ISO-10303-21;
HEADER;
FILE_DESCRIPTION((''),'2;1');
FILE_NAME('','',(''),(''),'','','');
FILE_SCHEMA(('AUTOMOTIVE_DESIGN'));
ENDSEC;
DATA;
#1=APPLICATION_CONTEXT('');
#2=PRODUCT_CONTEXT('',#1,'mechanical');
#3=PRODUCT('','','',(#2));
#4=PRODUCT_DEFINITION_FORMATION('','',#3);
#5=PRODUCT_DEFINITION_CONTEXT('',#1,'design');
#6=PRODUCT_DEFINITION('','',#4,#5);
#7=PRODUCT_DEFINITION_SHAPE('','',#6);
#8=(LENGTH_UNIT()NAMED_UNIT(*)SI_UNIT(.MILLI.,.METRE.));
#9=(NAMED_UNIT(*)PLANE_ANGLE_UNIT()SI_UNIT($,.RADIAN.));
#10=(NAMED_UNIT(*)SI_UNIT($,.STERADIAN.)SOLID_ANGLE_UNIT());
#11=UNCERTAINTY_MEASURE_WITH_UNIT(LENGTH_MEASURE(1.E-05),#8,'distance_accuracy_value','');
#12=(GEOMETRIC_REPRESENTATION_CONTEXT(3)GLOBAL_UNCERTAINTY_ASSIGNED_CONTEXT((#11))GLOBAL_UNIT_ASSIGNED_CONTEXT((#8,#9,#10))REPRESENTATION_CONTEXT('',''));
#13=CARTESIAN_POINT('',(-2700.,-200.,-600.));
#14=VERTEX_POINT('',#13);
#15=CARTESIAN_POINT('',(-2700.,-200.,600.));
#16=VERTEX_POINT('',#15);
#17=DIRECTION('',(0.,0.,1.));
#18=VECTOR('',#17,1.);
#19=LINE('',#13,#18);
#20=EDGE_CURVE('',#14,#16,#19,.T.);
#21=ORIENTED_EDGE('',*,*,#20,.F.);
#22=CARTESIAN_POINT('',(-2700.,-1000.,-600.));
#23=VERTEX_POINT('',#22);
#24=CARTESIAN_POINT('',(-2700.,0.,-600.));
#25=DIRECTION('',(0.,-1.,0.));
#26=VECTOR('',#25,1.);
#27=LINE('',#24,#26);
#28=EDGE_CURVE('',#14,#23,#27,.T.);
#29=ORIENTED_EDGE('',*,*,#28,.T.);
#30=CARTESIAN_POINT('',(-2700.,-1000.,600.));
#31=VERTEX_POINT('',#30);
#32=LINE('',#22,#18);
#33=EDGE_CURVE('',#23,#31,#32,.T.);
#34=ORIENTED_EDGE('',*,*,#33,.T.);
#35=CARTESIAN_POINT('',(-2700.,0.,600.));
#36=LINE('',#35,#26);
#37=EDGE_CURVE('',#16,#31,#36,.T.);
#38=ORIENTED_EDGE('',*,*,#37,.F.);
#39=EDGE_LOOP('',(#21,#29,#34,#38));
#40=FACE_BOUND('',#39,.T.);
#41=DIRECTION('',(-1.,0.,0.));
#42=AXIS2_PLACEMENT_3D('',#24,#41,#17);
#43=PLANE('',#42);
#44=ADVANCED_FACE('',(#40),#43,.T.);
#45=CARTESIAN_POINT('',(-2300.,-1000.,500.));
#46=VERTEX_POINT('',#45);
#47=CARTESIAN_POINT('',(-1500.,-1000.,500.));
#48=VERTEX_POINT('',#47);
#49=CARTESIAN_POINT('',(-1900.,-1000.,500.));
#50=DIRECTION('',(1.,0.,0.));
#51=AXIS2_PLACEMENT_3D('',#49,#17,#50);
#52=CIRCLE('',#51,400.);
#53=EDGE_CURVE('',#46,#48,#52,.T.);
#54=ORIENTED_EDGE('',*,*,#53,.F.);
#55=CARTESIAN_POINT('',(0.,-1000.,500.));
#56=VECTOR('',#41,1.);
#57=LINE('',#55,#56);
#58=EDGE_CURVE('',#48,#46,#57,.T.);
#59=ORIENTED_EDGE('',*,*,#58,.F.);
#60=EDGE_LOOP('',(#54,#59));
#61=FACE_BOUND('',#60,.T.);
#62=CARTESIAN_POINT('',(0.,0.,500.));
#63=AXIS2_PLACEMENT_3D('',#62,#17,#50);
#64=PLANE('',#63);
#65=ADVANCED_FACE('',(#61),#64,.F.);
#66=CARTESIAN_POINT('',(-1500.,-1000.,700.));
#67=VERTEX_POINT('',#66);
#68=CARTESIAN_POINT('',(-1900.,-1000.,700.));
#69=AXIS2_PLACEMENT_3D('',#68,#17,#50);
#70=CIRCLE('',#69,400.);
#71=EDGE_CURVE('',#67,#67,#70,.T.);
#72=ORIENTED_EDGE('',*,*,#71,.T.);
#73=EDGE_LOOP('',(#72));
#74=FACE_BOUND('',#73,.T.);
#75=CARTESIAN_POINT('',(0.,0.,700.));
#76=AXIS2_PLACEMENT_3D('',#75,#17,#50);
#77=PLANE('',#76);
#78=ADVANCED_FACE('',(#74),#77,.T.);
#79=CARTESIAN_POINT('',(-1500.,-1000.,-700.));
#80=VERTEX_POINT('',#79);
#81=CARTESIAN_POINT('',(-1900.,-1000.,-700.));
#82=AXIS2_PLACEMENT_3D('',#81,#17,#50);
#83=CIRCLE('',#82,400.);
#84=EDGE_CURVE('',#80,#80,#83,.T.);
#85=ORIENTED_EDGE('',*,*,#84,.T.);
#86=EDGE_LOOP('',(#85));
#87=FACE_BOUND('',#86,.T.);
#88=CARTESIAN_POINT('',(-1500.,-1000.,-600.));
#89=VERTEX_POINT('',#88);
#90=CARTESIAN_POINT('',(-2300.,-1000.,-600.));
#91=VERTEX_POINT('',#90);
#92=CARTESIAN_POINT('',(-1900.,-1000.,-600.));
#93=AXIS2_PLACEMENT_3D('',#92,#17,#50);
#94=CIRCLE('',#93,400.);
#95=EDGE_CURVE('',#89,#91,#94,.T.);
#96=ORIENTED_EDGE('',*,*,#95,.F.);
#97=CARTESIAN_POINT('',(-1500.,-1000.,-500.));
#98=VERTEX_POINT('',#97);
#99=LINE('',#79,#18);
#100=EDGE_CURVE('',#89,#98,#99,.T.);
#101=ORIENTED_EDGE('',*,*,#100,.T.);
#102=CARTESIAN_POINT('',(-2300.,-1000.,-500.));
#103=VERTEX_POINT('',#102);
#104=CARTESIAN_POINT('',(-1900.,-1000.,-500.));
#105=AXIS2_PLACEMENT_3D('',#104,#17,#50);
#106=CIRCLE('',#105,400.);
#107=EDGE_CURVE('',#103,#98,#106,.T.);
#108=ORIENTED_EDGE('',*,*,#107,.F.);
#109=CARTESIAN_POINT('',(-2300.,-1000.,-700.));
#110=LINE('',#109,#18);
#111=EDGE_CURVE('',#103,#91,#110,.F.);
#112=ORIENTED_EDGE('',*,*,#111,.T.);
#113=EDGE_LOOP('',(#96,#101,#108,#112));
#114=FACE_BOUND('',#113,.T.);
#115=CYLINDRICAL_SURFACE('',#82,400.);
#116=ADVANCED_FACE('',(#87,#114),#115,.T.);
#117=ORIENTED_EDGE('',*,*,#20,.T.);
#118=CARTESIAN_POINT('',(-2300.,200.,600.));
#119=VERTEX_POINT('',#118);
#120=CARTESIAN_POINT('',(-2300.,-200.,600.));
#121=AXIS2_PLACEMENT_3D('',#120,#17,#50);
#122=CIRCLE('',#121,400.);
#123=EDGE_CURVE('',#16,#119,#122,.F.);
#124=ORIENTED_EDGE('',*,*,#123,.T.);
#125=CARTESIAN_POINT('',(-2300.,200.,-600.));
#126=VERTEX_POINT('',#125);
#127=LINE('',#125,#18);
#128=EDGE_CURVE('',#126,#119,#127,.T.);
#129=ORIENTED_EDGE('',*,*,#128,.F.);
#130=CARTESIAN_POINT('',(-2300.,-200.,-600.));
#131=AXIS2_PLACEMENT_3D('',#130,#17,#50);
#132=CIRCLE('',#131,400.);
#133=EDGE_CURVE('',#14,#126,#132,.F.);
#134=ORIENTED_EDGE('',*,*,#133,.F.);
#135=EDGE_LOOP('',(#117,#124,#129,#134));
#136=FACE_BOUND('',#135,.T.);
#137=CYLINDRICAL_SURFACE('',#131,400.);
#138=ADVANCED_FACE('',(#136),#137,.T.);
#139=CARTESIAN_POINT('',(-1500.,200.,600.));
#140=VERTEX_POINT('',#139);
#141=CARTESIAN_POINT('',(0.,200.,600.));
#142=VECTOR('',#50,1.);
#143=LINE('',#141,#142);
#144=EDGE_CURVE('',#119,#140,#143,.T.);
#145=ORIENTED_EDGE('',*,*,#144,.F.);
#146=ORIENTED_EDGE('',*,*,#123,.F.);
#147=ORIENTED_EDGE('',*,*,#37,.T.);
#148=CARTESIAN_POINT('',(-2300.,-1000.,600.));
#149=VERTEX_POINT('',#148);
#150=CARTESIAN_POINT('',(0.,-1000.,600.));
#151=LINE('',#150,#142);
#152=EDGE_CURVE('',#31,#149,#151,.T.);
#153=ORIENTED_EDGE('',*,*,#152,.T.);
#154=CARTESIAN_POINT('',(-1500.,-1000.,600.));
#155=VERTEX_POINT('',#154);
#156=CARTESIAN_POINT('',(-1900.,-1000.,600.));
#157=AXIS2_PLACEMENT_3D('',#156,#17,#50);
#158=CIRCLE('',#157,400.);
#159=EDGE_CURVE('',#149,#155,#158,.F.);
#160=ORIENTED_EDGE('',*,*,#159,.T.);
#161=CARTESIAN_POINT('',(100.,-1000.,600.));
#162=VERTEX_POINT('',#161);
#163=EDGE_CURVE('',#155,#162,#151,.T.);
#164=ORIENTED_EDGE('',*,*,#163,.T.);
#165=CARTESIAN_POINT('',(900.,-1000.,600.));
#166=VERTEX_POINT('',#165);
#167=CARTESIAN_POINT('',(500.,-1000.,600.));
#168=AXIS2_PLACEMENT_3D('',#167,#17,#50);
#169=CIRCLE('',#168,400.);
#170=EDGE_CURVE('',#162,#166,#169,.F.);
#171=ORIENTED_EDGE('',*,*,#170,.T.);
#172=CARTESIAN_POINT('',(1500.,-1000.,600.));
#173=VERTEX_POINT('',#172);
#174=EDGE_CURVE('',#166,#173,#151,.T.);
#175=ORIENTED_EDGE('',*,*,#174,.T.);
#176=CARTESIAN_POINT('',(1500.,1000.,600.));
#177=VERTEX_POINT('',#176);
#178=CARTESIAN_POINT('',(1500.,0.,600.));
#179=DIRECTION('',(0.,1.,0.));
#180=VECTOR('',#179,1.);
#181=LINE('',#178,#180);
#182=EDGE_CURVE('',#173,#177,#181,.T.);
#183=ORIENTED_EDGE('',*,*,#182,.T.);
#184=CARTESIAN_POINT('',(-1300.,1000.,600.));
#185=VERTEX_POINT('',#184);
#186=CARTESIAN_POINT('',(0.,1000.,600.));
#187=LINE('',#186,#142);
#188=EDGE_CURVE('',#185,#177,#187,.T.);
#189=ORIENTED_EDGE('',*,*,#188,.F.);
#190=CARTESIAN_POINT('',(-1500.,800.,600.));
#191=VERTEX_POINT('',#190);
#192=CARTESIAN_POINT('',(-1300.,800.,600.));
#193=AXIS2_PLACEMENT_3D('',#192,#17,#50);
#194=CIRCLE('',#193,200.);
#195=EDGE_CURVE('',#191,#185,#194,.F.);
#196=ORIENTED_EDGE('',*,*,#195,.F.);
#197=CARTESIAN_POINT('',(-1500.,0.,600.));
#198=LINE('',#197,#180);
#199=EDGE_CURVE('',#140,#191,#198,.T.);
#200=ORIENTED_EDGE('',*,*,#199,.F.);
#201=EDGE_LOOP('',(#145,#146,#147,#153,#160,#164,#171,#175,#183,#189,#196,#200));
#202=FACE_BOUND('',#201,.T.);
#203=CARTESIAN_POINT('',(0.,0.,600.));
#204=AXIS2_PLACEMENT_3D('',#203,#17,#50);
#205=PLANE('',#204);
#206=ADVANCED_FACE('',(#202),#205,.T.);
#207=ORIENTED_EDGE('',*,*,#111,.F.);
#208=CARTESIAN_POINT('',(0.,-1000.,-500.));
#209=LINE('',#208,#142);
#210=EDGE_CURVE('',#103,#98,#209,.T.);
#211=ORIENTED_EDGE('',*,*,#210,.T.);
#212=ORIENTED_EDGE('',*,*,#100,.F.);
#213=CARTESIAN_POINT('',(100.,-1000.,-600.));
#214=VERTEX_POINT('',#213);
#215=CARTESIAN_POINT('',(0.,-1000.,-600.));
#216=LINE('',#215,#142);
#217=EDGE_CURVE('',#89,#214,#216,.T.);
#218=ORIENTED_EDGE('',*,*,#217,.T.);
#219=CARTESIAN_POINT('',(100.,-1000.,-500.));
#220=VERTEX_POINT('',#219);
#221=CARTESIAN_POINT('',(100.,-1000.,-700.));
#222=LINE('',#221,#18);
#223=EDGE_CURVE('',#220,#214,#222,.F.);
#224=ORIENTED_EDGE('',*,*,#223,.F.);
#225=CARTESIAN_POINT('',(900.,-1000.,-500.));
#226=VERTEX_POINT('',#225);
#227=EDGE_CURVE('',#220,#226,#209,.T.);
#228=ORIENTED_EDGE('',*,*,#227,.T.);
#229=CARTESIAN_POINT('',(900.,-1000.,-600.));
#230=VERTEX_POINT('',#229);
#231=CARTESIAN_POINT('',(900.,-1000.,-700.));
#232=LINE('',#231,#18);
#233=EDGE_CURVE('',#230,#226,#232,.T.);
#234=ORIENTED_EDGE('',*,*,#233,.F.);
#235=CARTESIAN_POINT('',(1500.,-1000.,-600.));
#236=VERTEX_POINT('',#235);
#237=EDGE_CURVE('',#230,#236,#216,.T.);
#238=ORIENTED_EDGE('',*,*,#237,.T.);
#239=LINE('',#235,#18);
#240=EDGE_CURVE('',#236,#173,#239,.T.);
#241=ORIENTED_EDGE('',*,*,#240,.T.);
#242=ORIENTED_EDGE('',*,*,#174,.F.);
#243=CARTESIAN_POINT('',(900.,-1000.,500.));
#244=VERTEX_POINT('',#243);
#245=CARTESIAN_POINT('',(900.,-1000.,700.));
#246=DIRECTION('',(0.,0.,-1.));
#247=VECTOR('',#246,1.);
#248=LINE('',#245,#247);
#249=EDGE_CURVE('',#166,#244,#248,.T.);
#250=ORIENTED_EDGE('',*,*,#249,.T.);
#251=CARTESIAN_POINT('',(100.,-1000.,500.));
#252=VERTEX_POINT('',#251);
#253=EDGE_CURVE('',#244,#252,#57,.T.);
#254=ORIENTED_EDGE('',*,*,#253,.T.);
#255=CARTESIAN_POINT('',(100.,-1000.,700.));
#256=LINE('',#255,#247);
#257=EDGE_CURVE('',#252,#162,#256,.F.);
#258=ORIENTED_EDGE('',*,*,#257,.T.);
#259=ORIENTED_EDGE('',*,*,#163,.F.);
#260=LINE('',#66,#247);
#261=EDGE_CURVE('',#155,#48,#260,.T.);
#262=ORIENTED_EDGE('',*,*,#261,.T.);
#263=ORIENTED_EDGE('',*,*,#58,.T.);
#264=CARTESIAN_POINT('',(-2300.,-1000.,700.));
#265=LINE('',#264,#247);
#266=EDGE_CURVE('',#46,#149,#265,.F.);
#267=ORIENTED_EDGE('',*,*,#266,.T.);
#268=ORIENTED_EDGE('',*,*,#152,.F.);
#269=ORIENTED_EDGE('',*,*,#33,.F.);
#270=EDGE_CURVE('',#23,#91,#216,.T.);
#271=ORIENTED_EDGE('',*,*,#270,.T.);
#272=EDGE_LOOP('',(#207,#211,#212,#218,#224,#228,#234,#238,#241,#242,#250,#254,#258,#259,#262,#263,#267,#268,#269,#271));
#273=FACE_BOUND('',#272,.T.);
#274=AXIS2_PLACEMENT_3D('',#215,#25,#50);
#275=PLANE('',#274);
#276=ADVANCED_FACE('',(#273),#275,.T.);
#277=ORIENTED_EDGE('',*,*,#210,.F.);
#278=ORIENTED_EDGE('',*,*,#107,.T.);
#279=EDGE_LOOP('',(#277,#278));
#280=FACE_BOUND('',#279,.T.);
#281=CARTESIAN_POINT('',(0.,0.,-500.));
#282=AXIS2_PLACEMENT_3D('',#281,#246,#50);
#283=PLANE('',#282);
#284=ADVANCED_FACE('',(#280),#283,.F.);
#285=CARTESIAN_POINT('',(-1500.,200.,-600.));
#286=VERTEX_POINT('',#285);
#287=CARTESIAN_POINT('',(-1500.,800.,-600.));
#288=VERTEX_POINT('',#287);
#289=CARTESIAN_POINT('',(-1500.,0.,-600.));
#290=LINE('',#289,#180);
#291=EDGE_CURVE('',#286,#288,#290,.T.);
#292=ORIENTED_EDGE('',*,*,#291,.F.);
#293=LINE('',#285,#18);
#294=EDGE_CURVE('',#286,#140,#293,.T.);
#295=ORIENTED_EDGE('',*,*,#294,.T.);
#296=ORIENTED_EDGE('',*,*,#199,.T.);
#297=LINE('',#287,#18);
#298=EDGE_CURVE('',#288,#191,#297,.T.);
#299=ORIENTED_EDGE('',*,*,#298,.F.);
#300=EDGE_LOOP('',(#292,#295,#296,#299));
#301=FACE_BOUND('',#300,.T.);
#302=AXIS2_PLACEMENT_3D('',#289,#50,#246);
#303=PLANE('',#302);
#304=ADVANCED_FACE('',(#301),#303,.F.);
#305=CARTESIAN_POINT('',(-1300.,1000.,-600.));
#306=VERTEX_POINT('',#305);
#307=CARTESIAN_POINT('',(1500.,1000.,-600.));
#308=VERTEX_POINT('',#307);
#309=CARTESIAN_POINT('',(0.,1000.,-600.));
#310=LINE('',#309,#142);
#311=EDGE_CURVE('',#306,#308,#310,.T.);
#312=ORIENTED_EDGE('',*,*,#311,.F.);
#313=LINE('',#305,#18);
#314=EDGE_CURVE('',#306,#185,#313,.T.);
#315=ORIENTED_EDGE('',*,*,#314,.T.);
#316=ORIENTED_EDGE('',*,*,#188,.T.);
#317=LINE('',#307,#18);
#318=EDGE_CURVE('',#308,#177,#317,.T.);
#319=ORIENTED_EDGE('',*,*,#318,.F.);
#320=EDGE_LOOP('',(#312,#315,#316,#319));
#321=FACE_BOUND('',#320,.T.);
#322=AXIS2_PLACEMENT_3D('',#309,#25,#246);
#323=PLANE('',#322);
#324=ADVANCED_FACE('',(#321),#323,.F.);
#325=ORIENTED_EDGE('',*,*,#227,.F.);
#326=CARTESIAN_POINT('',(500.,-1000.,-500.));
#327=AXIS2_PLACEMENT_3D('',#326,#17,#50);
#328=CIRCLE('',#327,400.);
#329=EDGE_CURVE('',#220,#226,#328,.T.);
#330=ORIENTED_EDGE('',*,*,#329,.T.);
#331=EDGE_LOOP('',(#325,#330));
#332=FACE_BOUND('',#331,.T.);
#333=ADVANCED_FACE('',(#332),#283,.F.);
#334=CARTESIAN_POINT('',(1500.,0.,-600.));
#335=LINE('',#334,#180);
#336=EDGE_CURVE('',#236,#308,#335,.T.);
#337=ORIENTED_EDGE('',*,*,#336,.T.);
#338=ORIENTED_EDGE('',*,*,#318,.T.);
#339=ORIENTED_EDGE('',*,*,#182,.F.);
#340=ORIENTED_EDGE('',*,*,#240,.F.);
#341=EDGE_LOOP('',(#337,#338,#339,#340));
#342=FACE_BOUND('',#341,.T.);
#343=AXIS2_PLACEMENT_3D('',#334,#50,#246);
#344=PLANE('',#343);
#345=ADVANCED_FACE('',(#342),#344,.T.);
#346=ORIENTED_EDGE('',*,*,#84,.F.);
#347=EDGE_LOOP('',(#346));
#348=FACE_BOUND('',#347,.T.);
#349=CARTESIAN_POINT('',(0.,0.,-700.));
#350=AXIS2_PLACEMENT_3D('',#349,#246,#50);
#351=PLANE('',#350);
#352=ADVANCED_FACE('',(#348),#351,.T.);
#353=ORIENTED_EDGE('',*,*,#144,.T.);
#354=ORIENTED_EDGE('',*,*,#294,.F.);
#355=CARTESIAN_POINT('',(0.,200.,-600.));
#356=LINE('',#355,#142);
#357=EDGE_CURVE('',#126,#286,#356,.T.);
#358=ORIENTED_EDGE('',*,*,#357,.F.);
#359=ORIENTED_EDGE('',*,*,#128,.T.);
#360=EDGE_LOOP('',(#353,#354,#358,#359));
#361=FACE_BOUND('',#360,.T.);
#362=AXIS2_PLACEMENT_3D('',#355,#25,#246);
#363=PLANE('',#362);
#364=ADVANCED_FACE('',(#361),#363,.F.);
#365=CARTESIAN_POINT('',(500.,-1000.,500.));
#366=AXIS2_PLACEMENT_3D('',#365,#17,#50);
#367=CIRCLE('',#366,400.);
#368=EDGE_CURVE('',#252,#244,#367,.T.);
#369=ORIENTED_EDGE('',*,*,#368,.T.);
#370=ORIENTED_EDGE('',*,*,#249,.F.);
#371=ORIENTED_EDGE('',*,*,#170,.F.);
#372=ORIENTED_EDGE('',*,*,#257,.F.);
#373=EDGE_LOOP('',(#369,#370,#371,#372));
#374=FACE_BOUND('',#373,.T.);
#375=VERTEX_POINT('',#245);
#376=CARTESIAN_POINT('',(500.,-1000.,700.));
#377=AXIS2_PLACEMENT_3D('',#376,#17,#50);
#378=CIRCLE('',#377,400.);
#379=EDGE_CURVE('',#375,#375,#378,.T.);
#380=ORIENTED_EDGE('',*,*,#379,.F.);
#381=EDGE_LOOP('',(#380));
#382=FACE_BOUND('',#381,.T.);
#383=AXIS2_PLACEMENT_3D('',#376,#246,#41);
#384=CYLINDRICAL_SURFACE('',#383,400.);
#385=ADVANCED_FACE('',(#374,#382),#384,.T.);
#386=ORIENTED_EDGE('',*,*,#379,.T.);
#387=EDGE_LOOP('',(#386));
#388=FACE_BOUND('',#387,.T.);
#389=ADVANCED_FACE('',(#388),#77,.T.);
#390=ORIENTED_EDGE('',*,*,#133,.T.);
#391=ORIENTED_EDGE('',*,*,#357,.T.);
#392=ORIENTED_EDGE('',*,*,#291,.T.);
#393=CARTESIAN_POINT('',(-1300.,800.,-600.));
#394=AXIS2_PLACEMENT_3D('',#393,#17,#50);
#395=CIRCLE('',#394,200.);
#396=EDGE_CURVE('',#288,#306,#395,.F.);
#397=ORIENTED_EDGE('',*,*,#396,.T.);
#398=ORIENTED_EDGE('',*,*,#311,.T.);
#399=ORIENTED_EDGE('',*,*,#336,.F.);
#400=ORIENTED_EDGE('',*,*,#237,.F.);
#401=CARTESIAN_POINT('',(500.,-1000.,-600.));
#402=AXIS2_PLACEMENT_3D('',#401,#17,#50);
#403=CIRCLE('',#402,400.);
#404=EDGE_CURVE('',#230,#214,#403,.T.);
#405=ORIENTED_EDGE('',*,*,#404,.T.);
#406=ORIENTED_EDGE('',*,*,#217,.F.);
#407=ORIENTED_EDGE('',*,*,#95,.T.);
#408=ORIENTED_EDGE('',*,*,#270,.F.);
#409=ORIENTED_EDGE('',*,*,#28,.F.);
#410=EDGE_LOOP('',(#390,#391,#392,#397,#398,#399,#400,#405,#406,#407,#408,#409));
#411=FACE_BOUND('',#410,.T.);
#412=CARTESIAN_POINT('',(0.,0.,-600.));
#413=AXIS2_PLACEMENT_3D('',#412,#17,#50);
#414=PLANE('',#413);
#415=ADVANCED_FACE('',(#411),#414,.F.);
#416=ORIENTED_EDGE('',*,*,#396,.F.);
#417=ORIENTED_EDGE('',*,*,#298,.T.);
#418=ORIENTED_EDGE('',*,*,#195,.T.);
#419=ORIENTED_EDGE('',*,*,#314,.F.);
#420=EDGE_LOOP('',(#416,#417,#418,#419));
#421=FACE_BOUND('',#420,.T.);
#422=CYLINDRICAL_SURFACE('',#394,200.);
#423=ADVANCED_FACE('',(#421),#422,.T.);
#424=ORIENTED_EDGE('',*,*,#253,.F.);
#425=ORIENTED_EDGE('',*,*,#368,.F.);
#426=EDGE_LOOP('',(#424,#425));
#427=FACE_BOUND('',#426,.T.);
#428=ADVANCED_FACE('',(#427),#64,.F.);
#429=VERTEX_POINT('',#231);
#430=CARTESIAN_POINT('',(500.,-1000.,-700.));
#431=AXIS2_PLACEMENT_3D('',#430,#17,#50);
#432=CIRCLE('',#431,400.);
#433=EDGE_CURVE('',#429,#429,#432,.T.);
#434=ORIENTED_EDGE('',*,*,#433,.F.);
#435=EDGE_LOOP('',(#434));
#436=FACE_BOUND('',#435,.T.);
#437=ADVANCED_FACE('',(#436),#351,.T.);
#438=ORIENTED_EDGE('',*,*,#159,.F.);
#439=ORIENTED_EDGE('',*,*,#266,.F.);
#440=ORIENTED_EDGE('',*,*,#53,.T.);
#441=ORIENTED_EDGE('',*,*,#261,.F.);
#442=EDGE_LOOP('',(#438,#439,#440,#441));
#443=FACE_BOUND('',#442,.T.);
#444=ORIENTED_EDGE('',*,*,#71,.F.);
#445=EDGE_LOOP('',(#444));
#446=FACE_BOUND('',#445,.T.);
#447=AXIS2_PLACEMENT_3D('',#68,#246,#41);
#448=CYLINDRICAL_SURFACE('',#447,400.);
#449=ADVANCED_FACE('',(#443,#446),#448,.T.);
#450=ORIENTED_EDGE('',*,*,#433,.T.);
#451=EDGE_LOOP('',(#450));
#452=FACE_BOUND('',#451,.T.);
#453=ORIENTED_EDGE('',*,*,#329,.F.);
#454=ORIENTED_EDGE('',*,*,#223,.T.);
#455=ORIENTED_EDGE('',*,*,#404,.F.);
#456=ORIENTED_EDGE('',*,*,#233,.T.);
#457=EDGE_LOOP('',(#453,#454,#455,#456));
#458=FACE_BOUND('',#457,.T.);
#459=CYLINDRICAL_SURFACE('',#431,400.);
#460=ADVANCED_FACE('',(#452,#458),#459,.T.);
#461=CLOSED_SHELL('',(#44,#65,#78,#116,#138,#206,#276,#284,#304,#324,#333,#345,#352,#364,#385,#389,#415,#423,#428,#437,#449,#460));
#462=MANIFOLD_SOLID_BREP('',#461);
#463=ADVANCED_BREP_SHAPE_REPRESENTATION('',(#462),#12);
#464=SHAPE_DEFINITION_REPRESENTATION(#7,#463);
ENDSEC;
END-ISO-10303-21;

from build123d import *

# Parameters (mm, degrees)
EXTRUDE_1_DEPTH = 600
EXTRUDE_START   = 600
SKETCH_1_3_R    = 400
EXTRUDE_2_DEPTH = 100


with BuildPart() as part:
    # 스케치1 → 보스-돌출1 (new, symmetric)
    with BuildSketch(Plane.XY):
        with BuildLine():
            Line((1500, -1000), (1500, 1000))
            Line((1500, 1000), (-1300, 1000))
            ThreePointArc((-1300, 1000), (-1441.421356237, 941.421356237), (-1500, 800))
            Line((-1500, 800), (-1500, 200))
            Line((-1500, 200), (-2300, 200))
            ThreePointArc((-2300, 200), (-2582.842712475, 82.842712475), (-2700, -200))
            Line((-2700, -200), (-2700, -1000))
            Line((-2700, -1000), (1500, -1000))
        make_face()
    extrude(amount=EXTRUDE_1_DEPTH, both=True)

    # 스케치1<3> → 보스-돌출2 (add, symmetric)
    with BuildSketch(Plane.XY.offset(EXTRUDE_START)):
        with Locations((500, -1000)):
            Circle(SKETCH_1_3_R)
        with Locations((-1900, -1000)):
            Circle(SKETCH_1_3_R)
    extrude_2 = extrude(amount=EXTRUDE_2_DEPTH, both=True)

    # 대칭 복사1: 보스-돌출2 across plane
    add(extrude_2.mirror(Plane.XY))


solid = part.part
